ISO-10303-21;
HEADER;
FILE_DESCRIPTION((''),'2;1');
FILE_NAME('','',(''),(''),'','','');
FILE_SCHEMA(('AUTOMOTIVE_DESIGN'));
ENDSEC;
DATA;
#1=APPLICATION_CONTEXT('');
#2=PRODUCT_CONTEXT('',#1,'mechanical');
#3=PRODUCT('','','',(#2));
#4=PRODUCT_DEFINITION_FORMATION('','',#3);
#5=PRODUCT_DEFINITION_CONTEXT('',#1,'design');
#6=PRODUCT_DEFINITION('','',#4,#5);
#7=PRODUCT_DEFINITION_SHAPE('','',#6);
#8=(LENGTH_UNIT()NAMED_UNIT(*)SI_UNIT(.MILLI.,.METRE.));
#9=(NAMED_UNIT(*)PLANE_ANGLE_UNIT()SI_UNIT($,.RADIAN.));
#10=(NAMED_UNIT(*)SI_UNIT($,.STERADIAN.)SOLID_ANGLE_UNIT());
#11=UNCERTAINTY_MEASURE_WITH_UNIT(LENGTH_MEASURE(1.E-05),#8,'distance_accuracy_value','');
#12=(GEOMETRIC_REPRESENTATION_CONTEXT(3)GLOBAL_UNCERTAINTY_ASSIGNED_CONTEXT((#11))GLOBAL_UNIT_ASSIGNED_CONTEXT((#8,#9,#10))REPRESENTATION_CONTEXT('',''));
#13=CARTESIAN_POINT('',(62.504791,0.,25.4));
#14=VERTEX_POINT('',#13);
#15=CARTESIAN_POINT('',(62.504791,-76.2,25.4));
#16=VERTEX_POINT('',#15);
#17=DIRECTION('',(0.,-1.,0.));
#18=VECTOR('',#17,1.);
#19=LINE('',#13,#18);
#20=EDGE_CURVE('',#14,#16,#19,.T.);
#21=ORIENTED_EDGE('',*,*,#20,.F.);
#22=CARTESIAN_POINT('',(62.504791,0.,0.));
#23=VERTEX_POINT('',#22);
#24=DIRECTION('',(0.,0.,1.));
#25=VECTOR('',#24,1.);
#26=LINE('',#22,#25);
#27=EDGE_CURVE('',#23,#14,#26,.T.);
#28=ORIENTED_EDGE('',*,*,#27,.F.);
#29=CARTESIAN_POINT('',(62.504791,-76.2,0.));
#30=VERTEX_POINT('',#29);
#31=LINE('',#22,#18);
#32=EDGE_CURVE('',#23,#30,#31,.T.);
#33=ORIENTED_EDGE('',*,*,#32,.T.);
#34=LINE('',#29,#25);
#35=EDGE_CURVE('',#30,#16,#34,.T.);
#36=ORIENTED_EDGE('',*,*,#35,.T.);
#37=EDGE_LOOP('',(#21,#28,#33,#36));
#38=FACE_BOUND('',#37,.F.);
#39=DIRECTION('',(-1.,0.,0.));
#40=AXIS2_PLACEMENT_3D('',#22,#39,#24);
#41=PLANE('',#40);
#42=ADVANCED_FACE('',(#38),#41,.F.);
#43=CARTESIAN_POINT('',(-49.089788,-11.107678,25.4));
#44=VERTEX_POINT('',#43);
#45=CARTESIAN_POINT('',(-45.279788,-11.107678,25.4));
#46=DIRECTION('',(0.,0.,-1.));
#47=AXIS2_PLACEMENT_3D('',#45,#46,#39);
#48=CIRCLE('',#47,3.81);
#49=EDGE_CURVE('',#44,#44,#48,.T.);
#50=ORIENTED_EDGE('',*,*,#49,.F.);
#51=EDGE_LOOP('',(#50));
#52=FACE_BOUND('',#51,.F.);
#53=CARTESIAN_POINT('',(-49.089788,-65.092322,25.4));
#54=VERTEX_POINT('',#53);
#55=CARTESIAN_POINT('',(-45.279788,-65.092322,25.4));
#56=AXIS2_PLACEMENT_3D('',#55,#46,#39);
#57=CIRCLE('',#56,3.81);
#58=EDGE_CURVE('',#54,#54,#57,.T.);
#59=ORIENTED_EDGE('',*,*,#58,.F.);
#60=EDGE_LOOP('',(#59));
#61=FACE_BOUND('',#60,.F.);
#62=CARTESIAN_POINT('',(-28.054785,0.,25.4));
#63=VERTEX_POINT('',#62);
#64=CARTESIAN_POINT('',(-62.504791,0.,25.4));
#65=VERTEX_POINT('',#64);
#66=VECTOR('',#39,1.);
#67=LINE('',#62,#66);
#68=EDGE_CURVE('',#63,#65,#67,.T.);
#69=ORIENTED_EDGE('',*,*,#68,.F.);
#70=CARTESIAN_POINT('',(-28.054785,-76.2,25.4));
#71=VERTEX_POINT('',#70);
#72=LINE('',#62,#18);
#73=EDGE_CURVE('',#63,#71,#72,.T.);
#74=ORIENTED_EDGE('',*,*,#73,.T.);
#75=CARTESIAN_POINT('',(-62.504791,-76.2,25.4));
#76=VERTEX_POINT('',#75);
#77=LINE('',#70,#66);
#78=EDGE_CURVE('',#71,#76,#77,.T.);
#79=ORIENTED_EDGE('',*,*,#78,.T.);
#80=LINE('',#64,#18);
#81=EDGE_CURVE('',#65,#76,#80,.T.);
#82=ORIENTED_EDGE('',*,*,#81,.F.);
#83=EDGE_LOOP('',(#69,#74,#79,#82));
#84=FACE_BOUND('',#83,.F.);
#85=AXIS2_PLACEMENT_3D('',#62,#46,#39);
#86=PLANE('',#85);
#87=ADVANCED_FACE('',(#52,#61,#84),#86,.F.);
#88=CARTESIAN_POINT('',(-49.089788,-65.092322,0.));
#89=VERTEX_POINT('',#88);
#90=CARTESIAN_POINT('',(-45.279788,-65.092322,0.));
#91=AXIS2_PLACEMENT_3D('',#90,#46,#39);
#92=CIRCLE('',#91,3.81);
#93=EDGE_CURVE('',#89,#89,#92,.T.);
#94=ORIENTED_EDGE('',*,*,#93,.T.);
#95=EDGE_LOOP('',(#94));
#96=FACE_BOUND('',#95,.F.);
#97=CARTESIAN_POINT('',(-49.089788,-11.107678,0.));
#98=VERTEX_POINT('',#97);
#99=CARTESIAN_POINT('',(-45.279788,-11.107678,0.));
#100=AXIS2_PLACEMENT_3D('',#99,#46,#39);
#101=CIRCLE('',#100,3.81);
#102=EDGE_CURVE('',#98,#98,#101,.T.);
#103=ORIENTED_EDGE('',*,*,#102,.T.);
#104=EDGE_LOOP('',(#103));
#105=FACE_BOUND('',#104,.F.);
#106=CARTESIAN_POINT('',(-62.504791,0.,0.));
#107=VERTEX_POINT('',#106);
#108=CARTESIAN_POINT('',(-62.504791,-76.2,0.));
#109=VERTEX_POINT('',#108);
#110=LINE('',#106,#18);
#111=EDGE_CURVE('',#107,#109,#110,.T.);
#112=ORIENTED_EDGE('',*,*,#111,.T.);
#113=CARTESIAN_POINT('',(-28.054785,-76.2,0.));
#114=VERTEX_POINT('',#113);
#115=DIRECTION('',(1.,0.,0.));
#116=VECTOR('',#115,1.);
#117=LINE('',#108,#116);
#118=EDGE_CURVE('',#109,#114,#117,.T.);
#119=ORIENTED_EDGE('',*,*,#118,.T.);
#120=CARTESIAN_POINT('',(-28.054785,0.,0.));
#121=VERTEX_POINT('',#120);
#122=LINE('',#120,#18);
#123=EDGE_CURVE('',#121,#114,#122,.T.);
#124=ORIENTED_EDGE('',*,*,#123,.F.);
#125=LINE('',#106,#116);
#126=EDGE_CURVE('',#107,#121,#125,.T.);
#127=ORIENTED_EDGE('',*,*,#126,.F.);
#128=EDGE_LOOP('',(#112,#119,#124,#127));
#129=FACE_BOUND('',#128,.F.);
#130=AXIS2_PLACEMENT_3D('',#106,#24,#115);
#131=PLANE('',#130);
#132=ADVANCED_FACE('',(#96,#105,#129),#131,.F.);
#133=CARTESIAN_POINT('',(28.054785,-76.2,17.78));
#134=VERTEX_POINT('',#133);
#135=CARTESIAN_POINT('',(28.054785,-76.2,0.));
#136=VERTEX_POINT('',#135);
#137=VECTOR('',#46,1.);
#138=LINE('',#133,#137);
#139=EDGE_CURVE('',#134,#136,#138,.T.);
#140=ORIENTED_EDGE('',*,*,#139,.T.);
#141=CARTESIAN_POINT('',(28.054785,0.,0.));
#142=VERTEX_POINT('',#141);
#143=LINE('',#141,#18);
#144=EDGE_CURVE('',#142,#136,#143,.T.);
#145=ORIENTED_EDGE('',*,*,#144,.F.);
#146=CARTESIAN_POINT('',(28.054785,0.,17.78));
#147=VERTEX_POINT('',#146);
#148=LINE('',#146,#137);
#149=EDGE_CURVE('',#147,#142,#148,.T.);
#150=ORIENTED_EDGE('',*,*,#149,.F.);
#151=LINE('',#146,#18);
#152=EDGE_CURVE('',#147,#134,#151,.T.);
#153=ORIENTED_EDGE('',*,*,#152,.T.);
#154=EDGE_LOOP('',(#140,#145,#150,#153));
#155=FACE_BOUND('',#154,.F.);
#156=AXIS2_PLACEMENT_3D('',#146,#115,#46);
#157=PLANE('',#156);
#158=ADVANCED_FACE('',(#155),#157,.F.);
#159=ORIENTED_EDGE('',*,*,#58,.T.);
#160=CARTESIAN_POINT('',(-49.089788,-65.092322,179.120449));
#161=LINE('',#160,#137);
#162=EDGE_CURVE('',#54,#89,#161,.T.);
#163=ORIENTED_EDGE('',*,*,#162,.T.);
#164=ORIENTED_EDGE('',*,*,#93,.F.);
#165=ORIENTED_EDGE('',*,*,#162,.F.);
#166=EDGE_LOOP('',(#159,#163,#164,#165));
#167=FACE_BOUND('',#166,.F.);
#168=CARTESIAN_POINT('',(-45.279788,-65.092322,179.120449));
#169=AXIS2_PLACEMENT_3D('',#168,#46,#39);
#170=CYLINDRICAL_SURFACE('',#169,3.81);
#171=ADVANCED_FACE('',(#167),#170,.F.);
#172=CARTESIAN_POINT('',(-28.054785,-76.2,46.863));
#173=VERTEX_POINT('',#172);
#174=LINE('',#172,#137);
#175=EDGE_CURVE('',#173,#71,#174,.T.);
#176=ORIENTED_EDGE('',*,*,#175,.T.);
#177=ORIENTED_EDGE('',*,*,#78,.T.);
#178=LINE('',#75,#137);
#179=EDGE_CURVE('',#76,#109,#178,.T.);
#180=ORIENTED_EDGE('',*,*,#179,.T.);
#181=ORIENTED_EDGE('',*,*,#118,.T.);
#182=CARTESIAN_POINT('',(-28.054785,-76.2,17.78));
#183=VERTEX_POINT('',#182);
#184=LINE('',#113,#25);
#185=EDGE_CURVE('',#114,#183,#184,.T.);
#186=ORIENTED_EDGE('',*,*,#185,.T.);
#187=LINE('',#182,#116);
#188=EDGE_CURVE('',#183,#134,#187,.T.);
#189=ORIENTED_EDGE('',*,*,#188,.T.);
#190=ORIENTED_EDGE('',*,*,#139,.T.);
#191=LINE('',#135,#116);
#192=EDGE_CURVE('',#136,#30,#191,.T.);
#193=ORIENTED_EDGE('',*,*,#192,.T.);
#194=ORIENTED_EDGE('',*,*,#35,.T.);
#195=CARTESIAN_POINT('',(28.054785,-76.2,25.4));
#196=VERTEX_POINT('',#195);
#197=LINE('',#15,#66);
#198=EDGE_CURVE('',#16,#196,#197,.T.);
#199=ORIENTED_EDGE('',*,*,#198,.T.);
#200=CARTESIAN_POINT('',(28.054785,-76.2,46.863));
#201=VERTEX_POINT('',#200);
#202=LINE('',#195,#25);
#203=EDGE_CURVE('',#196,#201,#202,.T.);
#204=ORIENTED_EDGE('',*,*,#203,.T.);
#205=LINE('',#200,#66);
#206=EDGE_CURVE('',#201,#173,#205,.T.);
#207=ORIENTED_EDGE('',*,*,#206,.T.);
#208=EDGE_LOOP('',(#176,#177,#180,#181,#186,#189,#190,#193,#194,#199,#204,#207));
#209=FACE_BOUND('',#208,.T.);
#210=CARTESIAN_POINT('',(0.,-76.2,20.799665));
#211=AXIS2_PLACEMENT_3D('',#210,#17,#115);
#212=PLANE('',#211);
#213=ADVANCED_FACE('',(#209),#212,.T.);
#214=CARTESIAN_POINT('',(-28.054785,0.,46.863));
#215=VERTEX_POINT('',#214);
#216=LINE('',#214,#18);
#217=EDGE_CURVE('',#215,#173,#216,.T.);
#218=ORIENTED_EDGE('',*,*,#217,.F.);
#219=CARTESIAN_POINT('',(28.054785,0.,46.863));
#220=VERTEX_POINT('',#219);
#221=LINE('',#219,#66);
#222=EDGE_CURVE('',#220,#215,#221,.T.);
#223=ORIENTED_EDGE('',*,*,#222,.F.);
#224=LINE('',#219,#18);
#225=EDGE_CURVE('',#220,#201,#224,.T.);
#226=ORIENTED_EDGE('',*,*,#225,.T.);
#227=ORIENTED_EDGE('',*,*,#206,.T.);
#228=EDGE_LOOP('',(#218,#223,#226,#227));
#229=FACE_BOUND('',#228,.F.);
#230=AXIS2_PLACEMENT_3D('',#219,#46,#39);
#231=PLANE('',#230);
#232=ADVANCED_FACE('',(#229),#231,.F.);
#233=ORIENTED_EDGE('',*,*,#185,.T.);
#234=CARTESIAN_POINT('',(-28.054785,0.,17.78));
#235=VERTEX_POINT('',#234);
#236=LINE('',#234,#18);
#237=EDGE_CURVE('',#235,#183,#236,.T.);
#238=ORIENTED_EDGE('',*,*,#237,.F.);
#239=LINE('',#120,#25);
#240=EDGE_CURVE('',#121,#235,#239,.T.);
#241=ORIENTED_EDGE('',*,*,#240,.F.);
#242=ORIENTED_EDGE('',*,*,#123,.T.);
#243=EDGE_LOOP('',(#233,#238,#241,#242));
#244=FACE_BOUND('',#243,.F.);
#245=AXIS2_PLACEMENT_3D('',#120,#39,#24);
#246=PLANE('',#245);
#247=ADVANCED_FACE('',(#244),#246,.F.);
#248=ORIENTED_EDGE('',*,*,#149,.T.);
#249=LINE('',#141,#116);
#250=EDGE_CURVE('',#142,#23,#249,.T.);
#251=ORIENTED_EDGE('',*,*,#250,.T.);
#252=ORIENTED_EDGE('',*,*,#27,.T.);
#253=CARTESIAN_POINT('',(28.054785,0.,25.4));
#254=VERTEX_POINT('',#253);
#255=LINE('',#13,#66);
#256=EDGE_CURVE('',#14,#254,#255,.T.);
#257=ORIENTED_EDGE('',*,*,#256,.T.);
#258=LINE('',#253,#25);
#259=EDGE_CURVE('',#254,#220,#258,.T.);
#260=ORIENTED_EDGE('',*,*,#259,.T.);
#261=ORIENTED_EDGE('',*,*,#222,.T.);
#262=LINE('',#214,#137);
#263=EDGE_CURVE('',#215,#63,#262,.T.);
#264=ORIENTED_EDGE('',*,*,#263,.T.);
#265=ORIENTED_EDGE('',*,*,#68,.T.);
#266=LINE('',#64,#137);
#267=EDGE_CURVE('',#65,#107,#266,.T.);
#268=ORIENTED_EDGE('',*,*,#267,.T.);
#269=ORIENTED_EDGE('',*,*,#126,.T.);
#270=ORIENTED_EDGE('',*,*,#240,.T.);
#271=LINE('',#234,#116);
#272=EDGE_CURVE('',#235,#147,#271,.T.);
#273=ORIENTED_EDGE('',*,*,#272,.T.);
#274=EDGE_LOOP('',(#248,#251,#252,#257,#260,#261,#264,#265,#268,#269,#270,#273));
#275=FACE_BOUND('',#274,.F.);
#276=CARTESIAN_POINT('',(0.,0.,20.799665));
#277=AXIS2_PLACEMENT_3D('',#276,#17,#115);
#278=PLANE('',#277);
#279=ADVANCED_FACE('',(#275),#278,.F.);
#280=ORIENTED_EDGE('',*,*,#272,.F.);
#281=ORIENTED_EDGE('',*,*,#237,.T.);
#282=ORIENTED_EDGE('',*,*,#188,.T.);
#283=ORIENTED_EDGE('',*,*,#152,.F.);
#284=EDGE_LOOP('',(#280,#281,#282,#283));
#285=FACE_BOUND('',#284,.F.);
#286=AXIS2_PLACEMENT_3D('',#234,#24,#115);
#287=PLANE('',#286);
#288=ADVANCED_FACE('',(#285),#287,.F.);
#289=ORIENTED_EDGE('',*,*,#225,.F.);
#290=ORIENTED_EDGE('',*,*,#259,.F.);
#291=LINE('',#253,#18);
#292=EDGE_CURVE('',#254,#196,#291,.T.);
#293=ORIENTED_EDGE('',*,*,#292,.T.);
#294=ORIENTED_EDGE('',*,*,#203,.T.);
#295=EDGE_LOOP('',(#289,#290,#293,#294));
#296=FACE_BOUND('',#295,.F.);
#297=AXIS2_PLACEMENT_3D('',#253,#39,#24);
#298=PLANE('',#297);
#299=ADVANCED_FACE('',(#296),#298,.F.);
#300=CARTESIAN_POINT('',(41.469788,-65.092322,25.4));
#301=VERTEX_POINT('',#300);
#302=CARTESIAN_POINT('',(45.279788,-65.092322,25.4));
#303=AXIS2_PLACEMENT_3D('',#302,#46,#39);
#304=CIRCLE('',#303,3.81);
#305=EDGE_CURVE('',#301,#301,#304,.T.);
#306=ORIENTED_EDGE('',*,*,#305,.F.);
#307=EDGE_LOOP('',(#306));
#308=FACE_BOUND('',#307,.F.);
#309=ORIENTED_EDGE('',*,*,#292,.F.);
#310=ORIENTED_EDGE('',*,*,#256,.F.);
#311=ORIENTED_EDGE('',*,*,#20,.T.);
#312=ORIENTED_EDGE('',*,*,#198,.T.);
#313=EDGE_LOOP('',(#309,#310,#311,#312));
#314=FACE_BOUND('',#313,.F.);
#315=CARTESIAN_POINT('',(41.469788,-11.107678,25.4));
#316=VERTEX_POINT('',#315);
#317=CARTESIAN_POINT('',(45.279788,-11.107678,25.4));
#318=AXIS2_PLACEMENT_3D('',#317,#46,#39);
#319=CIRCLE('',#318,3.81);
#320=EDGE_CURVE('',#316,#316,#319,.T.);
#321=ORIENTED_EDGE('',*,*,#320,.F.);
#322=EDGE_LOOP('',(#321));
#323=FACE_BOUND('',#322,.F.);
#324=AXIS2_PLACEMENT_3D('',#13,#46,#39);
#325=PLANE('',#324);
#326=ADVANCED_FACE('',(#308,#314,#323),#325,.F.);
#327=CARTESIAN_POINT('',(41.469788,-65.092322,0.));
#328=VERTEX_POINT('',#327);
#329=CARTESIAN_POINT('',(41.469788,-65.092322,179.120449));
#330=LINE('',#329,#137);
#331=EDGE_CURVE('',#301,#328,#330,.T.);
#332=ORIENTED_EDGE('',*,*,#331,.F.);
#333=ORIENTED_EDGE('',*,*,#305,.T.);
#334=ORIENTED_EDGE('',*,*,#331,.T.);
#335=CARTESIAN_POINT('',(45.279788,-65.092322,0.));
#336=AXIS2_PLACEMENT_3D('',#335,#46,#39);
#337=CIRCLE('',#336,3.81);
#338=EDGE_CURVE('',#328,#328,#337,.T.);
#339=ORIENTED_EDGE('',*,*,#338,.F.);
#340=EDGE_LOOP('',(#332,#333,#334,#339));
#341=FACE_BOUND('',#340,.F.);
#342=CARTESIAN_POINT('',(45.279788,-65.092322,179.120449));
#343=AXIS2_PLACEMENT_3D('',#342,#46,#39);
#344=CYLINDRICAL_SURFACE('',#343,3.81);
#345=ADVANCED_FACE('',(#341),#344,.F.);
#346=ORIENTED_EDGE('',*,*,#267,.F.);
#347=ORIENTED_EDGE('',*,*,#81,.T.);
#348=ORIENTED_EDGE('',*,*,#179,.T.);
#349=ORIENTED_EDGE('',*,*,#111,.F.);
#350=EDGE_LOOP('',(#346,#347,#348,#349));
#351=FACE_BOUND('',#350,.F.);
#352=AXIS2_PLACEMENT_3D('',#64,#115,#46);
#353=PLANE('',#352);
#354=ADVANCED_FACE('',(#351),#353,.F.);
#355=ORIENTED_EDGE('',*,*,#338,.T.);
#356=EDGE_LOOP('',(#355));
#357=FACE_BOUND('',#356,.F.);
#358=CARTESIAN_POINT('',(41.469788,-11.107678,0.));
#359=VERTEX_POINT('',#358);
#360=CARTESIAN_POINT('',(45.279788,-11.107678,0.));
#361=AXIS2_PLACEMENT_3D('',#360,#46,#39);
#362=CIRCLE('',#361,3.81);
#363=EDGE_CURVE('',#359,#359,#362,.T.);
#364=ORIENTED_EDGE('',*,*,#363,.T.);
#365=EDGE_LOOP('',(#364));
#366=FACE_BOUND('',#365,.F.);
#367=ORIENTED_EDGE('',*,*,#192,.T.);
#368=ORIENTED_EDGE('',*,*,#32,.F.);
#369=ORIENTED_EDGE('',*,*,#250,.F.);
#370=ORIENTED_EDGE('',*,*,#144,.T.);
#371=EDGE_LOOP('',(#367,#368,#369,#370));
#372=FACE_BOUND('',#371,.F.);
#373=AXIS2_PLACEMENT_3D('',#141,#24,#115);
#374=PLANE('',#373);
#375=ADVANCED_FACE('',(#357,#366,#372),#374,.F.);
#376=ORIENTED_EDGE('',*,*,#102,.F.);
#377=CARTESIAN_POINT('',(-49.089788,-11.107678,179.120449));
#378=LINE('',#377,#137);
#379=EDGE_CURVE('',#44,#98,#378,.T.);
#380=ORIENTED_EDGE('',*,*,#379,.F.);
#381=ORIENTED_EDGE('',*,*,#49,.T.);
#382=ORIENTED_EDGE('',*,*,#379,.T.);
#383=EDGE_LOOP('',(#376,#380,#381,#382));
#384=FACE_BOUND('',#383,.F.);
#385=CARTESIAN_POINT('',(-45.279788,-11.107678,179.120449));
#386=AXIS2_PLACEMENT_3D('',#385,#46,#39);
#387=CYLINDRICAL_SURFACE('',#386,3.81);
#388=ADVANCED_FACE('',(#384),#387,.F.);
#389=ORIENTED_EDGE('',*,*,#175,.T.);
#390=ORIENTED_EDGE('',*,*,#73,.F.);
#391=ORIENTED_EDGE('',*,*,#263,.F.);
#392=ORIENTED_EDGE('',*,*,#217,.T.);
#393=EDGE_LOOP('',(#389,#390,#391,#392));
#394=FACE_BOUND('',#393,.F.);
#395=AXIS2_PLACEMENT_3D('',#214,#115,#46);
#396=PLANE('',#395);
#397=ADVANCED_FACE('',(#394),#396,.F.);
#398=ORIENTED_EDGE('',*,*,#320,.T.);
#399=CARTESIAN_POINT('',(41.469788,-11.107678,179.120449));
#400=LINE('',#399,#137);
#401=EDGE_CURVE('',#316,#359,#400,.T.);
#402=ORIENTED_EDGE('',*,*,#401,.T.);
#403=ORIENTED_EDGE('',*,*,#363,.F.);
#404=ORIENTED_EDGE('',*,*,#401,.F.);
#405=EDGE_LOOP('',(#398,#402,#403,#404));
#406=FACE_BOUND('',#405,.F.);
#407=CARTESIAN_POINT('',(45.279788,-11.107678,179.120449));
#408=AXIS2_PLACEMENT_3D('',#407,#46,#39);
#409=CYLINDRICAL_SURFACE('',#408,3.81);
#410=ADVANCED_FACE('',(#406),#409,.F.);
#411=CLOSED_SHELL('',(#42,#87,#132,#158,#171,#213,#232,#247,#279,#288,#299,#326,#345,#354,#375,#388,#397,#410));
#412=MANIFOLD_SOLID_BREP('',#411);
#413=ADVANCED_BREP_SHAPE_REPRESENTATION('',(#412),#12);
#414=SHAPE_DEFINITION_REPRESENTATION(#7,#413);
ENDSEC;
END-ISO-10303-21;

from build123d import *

# Parameters (mm, degrees)
F1_DEPTH = 76.2
F3_D     = 7.62
F5_D     = 7.62


with BuildPart() as f1:
    # F0 (on Front) → F1 (new body)
    with BuildSketch(Plane.XZ):
        Polygon((-62.504791, 0), (-28.054785, 0), (-28.054785, 17.78), (28.054785, 17.78), (28.054785, 0), (62.504791, 0), (62.504791, 25.4), (28.054785, 25.4), (28.054785, 46.863), (0, 46.863), (-28.054785, 46.863), (-28.054785, 25.4), (-62.504791, 25.4), align=None)
    extrude(amount=F1_DEPTH)

    # F3 (through all)
    with Locations(Plane.XY.offset(25.4)):
        with Locations((-45.279788, -11.107678), (-45.279788, -65.092322)):
            Hole(F3_D / 2)

    # F5 (through all)
    with Locations(Plane.XY.offset(25.4)):
        with Locations((45.279788, -11.107678), (45.279788, -65.092322)):
            Hole(F5_D / 2)


solid = f1.part
